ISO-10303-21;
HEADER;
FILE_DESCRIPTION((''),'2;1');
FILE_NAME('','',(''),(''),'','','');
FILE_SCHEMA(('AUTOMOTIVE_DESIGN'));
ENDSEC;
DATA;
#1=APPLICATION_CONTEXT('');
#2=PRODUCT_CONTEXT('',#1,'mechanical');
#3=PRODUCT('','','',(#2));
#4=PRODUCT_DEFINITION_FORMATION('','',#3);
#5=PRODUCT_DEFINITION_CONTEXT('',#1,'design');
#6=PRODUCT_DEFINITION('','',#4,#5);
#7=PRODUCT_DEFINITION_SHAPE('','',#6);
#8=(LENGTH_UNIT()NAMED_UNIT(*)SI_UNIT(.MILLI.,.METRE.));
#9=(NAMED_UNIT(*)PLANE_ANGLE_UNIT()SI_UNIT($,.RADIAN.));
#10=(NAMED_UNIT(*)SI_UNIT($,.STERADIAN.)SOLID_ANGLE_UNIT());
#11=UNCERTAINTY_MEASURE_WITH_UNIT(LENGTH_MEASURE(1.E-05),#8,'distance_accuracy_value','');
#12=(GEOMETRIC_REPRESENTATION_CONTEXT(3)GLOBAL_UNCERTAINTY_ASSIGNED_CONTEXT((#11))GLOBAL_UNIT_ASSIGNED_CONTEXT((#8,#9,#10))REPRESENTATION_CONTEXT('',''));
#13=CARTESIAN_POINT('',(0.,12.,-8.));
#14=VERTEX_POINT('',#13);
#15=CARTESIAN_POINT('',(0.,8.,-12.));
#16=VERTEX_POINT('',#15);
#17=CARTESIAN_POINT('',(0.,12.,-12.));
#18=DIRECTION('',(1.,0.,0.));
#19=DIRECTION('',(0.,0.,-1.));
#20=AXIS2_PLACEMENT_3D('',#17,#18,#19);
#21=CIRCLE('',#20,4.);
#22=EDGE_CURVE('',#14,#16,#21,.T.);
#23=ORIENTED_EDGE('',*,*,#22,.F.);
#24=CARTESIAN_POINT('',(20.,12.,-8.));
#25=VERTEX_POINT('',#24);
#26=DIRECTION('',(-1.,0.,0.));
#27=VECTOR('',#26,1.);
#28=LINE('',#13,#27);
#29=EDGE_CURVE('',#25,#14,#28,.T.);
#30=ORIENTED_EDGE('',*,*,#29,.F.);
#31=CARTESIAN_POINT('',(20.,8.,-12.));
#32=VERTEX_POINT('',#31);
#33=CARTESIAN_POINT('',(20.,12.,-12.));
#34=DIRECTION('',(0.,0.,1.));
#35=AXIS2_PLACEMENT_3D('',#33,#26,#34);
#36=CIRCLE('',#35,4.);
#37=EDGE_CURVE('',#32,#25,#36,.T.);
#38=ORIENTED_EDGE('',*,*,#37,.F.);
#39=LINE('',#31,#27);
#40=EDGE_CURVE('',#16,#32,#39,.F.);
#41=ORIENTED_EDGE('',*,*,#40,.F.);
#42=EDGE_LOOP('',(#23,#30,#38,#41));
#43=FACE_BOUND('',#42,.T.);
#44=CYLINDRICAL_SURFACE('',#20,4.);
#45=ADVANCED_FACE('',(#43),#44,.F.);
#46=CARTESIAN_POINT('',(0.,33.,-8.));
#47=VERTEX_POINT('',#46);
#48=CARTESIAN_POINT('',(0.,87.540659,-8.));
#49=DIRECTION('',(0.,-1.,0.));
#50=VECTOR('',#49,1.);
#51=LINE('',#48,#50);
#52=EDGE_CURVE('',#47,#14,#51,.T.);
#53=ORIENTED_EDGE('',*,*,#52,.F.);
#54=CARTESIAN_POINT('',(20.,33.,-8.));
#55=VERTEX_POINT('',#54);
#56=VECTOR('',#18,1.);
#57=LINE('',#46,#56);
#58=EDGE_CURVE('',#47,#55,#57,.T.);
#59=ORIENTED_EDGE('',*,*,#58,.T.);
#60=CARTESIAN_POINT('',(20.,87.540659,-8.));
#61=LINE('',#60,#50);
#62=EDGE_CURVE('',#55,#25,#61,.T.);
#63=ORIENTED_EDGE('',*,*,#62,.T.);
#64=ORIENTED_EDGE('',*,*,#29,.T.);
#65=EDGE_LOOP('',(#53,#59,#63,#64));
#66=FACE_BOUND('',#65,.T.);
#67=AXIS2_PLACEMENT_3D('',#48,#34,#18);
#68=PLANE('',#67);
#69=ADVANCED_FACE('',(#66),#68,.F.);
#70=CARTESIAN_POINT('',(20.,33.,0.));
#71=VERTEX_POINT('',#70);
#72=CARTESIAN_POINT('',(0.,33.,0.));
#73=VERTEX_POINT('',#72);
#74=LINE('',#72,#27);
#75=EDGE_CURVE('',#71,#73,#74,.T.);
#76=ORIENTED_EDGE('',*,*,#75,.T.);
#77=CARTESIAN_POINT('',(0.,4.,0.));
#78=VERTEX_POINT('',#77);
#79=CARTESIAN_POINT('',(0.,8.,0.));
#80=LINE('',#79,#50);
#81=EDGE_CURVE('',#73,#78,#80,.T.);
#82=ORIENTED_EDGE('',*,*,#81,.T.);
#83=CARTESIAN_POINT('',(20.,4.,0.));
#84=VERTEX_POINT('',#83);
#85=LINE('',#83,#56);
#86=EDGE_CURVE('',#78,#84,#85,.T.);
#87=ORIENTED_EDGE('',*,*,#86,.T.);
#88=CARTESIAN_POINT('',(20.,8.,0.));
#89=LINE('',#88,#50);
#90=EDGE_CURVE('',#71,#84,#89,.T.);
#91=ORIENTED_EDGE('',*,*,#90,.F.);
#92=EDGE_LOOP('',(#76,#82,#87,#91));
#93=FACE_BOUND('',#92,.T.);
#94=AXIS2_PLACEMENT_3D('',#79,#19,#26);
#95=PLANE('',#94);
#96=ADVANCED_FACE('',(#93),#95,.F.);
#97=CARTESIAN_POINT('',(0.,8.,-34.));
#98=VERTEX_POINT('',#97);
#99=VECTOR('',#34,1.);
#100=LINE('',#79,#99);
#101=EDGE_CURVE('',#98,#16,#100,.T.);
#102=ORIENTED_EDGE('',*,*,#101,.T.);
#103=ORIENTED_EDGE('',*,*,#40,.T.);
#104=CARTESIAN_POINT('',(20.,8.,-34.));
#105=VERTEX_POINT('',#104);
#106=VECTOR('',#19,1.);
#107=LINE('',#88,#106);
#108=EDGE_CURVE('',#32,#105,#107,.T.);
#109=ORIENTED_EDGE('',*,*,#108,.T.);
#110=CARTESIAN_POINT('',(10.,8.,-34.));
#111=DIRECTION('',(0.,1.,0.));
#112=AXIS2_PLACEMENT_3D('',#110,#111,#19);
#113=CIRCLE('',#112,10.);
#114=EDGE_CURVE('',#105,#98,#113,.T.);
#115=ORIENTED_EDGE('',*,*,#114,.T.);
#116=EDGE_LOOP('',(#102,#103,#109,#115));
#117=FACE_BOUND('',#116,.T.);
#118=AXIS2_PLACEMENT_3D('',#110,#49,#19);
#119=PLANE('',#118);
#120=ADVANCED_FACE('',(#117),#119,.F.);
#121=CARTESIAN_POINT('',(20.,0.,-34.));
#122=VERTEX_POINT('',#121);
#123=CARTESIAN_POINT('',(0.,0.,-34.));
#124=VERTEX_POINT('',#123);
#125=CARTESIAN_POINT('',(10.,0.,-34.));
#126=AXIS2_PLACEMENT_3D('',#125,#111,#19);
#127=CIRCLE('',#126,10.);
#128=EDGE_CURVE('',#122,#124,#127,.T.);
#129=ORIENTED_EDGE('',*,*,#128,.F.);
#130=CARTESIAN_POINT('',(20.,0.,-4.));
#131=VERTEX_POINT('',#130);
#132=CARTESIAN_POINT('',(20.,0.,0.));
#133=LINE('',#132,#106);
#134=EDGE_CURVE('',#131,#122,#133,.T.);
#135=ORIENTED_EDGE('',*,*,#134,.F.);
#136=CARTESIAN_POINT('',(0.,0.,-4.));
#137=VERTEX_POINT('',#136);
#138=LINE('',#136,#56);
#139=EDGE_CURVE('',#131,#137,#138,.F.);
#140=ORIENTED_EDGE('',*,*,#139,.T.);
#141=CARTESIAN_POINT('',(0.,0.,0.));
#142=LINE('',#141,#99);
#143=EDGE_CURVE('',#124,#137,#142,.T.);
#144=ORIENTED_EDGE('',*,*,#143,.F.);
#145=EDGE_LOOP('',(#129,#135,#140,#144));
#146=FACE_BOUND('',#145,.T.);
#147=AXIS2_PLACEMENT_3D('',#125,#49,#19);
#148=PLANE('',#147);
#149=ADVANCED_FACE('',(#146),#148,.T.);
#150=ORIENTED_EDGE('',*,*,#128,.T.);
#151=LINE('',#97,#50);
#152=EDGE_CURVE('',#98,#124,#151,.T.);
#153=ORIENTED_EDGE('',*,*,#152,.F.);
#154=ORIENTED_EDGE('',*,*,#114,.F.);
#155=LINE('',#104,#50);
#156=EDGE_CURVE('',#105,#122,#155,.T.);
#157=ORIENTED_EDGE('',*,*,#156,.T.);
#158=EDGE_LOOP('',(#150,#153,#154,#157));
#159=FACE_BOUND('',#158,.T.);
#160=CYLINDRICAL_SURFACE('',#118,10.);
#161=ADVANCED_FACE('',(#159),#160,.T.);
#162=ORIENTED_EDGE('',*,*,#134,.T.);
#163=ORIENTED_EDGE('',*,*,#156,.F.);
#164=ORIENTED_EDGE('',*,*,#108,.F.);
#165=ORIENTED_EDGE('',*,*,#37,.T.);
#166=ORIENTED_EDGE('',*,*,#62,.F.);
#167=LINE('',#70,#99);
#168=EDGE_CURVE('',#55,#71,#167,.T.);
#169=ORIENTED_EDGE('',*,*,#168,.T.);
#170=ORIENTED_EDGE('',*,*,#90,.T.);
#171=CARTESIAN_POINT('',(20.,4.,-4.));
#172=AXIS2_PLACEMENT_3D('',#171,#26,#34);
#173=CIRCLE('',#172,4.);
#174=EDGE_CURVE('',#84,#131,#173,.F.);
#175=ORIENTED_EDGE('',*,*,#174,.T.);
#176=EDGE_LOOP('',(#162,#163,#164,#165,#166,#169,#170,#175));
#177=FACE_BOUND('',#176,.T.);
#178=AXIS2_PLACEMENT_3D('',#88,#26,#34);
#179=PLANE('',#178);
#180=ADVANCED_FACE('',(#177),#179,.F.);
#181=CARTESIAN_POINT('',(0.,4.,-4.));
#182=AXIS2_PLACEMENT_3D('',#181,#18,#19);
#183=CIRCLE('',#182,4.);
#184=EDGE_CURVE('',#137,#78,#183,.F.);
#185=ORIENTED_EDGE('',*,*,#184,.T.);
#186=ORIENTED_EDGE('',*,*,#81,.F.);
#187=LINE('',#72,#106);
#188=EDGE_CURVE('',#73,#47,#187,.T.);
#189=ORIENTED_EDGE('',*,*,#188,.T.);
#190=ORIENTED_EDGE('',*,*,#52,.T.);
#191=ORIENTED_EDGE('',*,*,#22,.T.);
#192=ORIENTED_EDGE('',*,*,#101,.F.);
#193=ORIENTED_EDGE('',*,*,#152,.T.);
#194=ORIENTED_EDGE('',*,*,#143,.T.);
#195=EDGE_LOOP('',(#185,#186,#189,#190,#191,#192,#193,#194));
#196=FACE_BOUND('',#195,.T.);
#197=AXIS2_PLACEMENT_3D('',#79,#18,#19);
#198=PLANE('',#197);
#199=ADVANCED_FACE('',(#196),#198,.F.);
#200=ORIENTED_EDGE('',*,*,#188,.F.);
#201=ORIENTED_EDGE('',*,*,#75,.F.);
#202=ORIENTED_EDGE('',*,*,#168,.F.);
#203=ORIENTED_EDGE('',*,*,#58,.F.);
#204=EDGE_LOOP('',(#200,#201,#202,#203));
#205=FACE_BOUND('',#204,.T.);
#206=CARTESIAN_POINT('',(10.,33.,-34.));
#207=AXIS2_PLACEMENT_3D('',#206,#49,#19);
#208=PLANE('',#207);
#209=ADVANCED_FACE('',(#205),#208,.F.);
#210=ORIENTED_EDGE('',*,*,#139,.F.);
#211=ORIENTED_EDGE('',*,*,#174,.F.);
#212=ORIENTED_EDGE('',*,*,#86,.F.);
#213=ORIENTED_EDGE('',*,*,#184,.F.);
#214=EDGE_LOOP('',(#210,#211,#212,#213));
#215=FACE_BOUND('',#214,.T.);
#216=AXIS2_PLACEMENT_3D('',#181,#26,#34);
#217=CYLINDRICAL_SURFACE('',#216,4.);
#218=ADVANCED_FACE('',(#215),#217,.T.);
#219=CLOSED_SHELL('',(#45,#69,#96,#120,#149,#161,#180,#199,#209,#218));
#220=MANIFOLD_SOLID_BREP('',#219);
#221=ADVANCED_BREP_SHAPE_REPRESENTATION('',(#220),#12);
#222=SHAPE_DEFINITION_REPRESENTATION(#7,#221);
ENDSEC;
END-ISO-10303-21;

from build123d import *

# Parameters (mm, degrees)
RESSALTO_EXTRUS_O1_DEPTH = 8
ESBO_O2_W                = 20
ESBO_O2_H                = 8
RESSALTO_EXTRUS_O2_DEPTH = 25
FILETE1_R                = 4


with BuildPart() as part:
    # Esboço1 → Ressalto-extrusão1 (new body)
    with BuildSketch(Plane(origin=(0, 0, 0), x_dir=(1, 0, 0), z_dir=(0, 1, 0))):
        with BuildLine():
            Line((0, 0), (20, 0))
            Line((20, 0), (20, 34))
            ThreePointArc((20, 34), (10, 44), (0, 34))
            Line((0, 34), (0, 0))
        make_face()
    extrude(amount=RESSALTO_EXTRUS_O1_DEPTH)

    # Esboço2 → Ressalto-extrusão2 (add)
    with BuildSketch(Plane(origin=(0, 8, 0), x_dir=(1, 0, 0), z_dir=(0, 1, 0))):
        with Locations((10, 4)):
            Rectangle(ESBO_O2_W, ESBO_O2_H)
    extrude(amount=RESSALTO_EXTRUS_O2_DEPTH)

    # Filete1
    filete1_edges = [part.edges().sort_by_distance(p)[0] for p in [
        (10, 8, -8),
        (10, 0, 0),
    ]]
    fillet(filete1_edges, radius=FILETE1_R)


solid = part.part
